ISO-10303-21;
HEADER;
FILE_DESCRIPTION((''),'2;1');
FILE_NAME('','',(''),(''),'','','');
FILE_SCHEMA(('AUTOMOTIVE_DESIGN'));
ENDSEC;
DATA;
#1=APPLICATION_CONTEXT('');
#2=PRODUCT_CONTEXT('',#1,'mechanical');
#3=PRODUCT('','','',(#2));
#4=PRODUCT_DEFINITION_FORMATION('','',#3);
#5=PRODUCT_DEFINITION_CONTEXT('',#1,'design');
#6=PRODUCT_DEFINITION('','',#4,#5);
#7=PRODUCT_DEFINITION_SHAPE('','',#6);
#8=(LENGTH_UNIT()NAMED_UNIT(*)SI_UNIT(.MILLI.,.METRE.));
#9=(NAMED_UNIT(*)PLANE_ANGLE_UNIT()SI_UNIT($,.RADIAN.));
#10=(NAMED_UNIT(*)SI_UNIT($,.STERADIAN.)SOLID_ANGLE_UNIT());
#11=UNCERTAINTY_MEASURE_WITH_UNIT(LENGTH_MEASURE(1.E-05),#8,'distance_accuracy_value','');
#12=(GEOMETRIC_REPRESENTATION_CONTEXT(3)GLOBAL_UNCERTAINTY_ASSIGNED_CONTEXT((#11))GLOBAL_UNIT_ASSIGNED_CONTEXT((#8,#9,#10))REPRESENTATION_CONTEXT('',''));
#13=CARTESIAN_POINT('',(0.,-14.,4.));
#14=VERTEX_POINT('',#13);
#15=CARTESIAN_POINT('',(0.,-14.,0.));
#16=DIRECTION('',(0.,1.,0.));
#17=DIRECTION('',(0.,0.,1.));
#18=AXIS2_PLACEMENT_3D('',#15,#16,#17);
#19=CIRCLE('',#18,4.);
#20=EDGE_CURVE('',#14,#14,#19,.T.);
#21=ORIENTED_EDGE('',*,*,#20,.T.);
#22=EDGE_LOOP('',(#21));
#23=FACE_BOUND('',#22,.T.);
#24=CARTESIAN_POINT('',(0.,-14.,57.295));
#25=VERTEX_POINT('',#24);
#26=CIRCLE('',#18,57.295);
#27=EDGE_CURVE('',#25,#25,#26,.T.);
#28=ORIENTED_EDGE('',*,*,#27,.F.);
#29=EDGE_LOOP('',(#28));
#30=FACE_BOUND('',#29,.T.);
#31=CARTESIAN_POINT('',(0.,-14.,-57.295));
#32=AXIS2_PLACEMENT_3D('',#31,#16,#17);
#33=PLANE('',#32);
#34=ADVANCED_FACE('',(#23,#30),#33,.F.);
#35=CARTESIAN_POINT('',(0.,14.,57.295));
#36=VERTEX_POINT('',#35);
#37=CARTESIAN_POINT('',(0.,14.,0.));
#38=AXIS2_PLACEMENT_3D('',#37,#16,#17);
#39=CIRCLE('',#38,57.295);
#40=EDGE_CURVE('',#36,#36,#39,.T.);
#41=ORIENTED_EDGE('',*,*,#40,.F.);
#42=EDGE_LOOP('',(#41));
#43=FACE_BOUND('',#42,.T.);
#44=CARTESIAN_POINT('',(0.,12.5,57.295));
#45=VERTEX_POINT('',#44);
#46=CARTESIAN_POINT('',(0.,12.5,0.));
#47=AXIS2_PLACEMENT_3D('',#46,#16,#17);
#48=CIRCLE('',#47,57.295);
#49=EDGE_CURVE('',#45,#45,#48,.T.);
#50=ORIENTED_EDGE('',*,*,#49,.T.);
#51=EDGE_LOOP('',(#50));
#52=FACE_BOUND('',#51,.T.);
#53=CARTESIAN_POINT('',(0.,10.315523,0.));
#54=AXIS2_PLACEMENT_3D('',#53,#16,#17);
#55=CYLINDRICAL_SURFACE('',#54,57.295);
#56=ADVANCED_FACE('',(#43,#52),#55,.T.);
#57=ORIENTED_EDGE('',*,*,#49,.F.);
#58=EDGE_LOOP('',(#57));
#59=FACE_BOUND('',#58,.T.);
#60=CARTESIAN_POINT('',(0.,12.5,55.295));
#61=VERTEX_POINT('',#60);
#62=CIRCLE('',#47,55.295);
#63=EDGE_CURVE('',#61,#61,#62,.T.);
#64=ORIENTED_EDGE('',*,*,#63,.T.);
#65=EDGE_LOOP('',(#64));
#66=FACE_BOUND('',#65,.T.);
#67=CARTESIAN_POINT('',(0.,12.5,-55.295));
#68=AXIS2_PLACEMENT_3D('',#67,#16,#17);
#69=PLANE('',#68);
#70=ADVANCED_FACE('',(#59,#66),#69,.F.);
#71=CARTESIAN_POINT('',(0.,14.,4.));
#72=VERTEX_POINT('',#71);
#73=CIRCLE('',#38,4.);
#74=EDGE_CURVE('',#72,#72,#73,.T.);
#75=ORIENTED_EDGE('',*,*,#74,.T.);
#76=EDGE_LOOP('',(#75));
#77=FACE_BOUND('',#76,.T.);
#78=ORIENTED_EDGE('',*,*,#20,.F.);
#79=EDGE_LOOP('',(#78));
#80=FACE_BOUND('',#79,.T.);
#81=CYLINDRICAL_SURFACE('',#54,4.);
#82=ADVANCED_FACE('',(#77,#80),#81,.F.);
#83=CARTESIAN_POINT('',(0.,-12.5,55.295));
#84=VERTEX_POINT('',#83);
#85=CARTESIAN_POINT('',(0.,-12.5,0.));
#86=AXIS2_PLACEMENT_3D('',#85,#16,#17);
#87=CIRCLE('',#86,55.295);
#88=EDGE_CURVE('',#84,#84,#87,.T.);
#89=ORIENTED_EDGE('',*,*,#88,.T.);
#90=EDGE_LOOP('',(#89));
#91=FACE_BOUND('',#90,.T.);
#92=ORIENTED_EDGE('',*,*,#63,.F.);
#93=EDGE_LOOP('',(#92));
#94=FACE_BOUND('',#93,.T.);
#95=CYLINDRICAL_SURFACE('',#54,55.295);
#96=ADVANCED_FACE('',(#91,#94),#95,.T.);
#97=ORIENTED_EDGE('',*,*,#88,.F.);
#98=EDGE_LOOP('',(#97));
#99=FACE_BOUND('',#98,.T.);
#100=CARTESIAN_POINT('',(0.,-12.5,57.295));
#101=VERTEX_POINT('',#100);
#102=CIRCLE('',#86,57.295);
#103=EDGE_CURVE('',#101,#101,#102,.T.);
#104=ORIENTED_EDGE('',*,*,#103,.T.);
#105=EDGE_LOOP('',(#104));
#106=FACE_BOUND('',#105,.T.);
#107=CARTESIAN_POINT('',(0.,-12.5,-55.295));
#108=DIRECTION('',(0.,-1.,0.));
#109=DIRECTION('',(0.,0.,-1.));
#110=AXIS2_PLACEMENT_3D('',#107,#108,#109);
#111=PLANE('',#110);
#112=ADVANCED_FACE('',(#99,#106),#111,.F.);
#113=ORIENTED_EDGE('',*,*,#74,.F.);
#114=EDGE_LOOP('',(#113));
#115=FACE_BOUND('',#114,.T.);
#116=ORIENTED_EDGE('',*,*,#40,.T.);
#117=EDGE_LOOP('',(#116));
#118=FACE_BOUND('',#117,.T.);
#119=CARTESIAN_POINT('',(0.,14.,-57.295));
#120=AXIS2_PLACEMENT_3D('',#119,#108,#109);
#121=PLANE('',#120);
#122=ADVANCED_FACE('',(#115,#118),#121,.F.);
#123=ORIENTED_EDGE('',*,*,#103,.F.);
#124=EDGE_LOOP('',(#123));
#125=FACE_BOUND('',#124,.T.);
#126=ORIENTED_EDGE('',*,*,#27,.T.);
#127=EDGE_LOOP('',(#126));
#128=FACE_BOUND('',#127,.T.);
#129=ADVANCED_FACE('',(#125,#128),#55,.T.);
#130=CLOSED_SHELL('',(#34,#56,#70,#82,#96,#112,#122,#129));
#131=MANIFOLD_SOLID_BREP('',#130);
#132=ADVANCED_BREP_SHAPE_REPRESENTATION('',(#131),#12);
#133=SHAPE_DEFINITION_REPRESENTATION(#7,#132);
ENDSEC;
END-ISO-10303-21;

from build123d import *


with BuildPart() as part:
    # Sketch1 → Revolve1 (revolve)
    with BuildSketch(Plane(origin=(0, 0, 0), x_dir=(0, 0, -1), z_dir=(1, 0, 0)), mode=Mode.PRIVATE) as revolve1_sk:
        Polygon((55.295, -12.5), (55.295, 12.5), (57.295, 12.5), (57.295, 14), (4, 14), (4, -14), (57.295, -14), (57.295, -12.5), align=None)
    revolve(revolve1_sk.sketch.rotate(Axis((0, 10.31552251, 0), (0, -1, 0)), 180), axis=Axis((0, 10.31552251, 0), (0, -1, 0)))


solid = part.part
